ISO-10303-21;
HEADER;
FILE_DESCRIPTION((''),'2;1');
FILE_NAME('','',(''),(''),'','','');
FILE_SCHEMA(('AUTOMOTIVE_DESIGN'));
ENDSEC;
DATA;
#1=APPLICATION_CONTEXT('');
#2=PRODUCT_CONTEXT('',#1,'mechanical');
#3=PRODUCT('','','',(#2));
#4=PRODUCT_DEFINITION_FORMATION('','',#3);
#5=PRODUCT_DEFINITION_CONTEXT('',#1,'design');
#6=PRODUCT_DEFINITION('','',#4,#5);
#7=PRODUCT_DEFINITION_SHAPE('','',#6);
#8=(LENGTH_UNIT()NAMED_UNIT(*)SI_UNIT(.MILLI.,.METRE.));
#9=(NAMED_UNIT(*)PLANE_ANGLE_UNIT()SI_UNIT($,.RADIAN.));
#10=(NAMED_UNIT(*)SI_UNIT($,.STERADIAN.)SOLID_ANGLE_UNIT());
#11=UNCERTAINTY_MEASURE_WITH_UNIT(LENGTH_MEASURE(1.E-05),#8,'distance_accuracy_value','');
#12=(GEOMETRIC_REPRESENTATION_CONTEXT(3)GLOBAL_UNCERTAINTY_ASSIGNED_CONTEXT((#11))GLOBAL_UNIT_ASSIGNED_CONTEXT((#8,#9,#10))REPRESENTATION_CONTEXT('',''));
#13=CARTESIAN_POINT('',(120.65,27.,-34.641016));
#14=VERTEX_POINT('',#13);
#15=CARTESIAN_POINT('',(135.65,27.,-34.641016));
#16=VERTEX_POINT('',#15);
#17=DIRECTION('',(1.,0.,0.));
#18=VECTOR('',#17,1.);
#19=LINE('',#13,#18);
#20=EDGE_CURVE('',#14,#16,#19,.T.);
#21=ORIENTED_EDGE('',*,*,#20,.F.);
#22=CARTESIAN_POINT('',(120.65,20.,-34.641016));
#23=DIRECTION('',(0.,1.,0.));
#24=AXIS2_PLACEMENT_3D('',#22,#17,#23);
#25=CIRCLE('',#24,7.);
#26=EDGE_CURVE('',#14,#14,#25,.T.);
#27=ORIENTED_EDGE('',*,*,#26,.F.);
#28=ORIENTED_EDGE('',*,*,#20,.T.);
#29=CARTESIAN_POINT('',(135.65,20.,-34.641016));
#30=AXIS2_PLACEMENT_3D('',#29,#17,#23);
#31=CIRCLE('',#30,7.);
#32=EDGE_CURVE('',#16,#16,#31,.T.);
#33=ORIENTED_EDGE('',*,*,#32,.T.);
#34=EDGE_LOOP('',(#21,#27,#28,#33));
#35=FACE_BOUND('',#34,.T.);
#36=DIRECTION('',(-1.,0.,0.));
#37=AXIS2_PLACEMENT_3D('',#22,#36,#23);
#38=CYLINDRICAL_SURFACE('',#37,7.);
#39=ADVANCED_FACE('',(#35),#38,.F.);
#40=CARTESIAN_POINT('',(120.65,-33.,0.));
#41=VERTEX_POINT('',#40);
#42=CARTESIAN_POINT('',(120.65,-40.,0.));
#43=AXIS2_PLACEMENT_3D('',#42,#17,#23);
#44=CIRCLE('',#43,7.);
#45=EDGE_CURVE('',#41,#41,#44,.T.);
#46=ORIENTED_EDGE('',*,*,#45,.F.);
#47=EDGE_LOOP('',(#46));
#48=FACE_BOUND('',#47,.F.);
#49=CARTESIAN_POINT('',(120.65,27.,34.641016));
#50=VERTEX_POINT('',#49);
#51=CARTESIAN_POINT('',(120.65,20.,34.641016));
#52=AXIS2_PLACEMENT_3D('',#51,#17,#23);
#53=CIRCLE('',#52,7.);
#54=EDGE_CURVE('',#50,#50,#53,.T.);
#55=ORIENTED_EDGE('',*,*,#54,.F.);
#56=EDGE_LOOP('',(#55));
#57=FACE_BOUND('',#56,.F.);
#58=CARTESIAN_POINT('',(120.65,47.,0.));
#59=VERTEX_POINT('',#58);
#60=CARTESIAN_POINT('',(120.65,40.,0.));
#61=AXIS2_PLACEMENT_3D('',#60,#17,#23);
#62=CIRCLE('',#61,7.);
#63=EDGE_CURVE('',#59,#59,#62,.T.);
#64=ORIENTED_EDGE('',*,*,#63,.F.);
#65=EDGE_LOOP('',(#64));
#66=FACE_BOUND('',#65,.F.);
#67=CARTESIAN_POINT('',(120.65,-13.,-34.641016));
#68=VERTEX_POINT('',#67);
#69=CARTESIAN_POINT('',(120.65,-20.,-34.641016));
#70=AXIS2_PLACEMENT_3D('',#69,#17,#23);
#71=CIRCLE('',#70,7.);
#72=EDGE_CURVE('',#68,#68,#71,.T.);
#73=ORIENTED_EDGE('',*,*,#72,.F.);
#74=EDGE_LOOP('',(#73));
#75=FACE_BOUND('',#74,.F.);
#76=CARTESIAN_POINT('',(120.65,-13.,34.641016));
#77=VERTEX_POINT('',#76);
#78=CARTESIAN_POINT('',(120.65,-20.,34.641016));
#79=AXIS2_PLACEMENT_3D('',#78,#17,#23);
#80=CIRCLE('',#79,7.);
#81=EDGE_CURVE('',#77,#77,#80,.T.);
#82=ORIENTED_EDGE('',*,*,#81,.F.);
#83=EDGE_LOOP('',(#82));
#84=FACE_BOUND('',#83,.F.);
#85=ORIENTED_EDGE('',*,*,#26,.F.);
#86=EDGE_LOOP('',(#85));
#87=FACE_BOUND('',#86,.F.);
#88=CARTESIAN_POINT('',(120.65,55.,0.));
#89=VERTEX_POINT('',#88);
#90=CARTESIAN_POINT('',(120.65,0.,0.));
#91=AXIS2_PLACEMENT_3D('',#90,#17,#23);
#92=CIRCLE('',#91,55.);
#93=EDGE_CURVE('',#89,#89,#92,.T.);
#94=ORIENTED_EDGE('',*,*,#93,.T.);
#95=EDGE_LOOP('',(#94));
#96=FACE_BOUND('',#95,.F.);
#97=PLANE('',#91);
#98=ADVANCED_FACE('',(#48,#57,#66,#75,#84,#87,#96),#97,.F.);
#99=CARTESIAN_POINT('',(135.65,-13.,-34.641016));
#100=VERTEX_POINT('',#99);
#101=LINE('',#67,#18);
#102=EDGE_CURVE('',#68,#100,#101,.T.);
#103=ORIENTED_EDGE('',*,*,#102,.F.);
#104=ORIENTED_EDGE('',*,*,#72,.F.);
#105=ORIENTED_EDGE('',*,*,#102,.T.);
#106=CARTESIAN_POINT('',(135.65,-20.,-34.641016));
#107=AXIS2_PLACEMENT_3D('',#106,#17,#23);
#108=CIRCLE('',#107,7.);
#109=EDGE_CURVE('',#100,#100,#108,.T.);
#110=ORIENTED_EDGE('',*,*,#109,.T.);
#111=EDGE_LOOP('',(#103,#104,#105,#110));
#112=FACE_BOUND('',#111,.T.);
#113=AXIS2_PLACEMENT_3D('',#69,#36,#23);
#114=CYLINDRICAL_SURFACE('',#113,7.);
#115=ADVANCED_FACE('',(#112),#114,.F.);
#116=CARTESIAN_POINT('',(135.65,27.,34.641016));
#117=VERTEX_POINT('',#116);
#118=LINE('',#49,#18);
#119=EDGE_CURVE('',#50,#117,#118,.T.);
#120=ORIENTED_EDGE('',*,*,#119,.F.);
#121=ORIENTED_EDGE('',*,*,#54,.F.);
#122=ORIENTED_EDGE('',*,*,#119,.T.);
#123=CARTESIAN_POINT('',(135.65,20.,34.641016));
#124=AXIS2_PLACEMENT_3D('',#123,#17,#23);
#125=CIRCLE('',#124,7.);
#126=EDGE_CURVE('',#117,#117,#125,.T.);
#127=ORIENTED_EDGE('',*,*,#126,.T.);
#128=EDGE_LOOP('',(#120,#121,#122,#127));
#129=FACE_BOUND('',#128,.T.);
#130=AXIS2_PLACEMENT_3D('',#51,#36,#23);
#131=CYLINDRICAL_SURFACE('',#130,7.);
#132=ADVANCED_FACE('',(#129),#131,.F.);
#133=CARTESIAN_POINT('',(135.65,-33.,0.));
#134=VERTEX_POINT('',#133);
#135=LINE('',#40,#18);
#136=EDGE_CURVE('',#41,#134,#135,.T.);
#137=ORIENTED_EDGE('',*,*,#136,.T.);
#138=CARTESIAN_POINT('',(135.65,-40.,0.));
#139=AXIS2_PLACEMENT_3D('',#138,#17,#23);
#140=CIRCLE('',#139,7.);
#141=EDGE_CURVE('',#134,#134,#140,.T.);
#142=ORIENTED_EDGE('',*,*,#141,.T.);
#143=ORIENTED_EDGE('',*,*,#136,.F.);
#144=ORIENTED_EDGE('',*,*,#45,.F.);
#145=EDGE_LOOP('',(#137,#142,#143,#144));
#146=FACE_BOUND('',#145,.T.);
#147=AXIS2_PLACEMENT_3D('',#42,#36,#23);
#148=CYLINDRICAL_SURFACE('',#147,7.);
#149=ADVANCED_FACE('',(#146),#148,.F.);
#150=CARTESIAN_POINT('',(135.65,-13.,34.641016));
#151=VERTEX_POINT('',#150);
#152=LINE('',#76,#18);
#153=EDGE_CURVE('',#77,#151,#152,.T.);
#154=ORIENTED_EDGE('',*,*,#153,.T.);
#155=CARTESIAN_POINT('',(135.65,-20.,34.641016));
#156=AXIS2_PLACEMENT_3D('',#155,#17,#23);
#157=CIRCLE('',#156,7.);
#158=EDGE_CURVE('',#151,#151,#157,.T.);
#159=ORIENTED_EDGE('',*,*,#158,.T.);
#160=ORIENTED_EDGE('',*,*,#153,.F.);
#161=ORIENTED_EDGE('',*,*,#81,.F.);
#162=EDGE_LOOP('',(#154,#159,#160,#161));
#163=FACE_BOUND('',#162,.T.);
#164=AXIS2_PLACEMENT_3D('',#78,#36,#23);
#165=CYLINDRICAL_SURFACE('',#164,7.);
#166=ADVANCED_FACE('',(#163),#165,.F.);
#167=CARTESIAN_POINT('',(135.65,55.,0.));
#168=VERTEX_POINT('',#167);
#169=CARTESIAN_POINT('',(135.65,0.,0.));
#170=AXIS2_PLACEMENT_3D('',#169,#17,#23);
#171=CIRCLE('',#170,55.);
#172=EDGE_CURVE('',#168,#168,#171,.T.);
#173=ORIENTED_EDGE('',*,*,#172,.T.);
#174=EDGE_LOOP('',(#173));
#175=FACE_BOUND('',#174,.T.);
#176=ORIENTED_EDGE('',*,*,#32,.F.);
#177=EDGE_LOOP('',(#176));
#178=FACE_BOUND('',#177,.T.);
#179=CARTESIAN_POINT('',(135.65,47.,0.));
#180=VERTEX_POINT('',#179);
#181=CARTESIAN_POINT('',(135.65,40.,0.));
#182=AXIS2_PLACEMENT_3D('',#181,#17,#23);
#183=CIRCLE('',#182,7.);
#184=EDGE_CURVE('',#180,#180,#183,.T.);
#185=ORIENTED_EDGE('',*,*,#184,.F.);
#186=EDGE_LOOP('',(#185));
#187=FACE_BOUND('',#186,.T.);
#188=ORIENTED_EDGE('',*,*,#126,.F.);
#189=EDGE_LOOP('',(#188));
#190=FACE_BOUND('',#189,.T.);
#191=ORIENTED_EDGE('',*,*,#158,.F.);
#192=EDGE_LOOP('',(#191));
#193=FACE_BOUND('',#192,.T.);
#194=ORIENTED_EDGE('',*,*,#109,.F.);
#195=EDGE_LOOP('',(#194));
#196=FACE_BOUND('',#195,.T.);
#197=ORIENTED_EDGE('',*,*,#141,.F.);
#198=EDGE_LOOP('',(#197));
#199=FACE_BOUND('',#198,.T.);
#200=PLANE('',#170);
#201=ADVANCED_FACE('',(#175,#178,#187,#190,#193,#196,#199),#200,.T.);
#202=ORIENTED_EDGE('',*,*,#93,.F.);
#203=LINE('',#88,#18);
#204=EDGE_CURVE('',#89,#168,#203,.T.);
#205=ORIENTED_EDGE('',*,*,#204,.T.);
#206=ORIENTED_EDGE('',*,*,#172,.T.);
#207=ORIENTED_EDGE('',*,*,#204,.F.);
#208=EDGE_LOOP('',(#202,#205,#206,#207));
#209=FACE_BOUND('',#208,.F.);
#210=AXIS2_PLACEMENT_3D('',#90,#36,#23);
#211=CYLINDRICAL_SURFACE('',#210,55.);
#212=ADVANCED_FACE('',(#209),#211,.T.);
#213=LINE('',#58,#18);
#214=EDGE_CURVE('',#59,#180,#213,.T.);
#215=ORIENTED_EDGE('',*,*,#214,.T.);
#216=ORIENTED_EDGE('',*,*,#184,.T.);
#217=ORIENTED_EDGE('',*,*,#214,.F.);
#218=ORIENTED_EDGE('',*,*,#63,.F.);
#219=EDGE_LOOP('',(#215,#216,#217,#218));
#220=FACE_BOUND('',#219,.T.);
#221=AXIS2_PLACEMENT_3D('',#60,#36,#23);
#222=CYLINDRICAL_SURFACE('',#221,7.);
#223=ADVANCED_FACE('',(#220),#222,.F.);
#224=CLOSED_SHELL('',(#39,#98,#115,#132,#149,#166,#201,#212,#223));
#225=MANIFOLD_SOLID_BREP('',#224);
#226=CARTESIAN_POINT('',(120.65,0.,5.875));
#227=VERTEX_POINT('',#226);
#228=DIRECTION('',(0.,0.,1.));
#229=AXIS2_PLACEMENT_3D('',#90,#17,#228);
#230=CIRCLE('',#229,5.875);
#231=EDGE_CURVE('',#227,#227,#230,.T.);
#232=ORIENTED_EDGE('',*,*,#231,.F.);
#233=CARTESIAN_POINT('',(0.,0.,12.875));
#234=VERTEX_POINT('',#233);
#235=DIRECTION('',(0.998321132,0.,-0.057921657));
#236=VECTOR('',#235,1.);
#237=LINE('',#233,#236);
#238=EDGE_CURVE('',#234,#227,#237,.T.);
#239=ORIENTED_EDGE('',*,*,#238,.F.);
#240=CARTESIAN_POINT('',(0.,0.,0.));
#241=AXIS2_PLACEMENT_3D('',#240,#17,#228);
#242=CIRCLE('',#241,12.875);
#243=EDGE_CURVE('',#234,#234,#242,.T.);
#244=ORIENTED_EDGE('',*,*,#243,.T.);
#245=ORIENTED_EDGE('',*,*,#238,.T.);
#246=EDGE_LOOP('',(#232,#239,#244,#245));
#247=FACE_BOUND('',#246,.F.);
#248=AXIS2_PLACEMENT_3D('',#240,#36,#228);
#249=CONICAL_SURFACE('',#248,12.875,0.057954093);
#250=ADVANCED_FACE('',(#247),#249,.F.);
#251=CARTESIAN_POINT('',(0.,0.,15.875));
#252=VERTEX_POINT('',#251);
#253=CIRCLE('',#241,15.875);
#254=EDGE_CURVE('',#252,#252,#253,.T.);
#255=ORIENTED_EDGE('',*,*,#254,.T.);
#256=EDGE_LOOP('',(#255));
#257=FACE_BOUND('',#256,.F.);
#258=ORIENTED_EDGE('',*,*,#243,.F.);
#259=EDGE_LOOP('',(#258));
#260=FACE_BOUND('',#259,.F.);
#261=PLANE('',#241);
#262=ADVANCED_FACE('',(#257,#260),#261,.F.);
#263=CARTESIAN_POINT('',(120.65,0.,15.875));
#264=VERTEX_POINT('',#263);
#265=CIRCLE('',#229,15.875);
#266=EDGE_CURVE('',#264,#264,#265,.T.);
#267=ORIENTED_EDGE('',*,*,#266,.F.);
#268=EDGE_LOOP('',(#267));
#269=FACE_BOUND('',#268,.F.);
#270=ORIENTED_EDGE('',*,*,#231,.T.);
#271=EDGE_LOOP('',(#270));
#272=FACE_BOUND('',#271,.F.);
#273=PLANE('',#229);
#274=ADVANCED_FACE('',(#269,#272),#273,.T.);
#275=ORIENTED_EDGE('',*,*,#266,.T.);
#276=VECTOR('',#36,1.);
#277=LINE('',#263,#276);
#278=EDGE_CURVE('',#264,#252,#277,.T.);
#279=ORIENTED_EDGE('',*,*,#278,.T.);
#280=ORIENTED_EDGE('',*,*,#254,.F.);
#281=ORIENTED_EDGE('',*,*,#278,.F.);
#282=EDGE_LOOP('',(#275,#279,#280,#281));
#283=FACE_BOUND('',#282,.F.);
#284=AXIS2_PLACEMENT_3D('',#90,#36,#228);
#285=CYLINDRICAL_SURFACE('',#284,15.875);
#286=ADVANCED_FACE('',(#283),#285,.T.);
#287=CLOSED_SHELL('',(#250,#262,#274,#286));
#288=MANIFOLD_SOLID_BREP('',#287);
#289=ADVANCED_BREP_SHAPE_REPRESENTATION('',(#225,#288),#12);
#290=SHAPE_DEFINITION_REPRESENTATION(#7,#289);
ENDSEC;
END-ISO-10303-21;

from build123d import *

# Parameters (mm, degrees)
F2_R     = 55
F2_R_2   = 7
F3_DEPTH = 15


with BuildPart() as f1:
    # F0 (on Front) → F1 (revolve)
    with BuildSketch(Plane.XZ):
        Polygon((0, 15.875), (0, 12.875), (120.65, 5.875), (120.65, 15.875), align=None)
    revolve(axis=Axis((60.325, 0, 0), (1, 0, 0)))


with BuildPart() as f3:
    # F2 (on face) → F3 (new body)
    with BuildSketch(Plane.YZ.offset(120.65)):
        Circle(F2_R)
        with Locations((-20, -34.641016)):
            Circle(F2_R_2, mode=Mode.SUBTRACT)
        with Locations((20, -34.641016)):
            Circle(F2_R_2, mode=Mode.SUBTRACT)
        with Locations((-40, 0)):
            Circle(F2_R_2, mode=Mode.SUBTRACT)
        with Locations((-20, 34.641016)):
            Circle(F2_R_2, mode=Mode.SUBTRACT)
        with Locations((40, 0)):
            Circle(F2_R_2, mode=Mode.SUBTRACT)
        with Locations((20, 34.641016)):
            Circle(F2_R_2, mode=Mode.SUBTRACT)
    extrude(amount=F3_DEPTH)


solid = Compound([f1.part, f3.part])
